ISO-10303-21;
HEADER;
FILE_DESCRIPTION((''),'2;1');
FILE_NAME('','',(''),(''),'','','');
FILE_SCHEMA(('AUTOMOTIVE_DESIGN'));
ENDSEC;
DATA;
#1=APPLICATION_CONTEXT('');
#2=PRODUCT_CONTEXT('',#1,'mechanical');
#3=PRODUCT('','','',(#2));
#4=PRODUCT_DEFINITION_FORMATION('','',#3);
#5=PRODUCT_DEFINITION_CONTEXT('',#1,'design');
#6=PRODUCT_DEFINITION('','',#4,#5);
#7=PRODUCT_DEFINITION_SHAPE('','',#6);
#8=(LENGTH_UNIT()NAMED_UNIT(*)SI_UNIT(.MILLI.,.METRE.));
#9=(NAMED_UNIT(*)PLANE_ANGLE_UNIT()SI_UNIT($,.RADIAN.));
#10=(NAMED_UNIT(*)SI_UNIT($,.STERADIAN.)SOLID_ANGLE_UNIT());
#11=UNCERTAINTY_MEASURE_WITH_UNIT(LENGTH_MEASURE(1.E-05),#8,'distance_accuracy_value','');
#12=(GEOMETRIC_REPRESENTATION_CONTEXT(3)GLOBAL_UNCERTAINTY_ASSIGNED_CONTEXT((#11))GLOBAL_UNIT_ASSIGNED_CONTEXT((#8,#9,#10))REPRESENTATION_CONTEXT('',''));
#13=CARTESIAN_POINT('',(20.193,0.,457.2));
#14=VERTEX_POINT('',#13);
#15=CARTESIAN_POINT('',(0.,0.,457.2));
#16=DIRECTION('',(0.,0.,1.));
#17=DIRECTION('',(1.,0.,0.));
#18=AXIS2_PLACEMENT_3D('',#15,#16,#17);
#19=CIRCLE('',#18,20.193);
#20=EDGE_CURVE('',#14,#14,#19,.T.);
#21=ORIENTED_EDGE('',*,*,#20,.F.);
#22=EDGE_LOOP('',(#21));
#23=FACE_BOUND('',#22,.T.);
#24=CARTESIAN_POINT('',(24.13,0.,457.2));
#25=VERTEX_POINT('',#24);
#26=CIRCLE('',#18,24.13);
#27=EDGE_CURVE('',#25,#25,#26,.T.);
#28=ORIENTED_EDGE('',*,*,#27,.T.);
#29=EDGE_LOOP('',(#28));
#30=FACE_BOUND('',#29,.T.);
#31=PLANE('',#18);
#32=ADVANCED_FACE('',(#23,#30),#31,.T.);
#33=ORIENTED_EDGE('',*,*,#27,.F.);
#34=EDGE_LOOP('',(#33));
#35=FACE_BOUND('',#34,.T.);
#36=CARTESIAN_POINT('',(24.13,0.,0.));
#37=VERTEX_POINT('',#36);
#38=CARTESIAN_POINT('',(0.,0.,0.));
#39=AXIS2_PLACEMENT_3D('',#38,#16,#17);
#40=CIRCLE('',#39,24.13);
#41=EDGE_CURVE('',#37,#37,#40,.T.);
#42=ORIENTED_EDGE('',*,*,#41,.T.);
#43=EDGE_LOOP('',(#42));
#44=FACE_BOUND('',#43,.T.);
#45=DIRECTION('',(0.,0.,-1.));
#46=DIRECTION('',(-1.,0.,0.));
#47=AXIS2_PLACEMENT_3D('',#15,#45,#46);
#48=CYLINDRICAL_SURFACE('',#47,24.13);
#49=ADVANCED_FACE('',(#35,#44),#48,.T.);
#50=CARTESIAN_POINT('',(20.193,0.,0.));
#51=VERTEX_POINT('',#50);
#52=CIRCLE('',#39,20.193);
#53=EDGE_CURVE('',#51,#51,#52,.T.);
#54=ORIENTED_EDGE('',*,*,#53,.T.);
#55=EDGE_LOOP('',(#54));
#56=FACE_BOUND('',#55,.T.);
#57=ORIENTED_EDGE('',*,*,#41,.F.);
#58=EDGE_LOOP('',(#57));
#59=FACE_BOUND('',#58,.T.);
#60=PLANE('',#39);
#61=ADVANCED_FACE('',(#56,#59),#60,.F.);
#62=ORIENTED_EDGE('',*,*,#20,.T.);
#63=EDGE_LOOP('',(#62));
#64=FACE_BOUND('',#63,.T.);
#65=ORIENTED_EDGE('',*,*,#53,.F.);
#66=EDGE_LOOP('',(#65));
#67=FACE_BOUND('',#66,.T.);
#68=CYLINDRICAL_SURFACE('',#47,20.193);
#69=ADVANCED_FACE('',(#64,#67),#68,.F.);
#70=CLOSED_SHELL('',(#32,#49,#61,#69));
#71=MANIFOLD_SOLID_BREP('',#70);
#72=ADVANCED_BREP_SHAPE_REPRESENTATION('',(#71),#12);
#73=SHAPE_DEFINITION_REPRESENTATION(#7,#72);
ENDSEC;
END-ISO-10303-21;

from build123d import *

# Parameters (mm, degrees)
SKETCH1_R           = 24.13
SKETCH1_R_2         = 20.193
BOSS_EXTRUDE1_DEPTH = 457.2


with BuildPart() as part:
    # Sketch1 → Boss-Extrude1 (new body)
    with BuildSketch(Plane.XY):
        Circle(SKETCH1_R)
        Circle(SKETCH1_R_2, mode=Mode.SUBTRACT)
    extrude(amount=BOSS_EXTRUDE1_DEPTH)


solid = part.part
